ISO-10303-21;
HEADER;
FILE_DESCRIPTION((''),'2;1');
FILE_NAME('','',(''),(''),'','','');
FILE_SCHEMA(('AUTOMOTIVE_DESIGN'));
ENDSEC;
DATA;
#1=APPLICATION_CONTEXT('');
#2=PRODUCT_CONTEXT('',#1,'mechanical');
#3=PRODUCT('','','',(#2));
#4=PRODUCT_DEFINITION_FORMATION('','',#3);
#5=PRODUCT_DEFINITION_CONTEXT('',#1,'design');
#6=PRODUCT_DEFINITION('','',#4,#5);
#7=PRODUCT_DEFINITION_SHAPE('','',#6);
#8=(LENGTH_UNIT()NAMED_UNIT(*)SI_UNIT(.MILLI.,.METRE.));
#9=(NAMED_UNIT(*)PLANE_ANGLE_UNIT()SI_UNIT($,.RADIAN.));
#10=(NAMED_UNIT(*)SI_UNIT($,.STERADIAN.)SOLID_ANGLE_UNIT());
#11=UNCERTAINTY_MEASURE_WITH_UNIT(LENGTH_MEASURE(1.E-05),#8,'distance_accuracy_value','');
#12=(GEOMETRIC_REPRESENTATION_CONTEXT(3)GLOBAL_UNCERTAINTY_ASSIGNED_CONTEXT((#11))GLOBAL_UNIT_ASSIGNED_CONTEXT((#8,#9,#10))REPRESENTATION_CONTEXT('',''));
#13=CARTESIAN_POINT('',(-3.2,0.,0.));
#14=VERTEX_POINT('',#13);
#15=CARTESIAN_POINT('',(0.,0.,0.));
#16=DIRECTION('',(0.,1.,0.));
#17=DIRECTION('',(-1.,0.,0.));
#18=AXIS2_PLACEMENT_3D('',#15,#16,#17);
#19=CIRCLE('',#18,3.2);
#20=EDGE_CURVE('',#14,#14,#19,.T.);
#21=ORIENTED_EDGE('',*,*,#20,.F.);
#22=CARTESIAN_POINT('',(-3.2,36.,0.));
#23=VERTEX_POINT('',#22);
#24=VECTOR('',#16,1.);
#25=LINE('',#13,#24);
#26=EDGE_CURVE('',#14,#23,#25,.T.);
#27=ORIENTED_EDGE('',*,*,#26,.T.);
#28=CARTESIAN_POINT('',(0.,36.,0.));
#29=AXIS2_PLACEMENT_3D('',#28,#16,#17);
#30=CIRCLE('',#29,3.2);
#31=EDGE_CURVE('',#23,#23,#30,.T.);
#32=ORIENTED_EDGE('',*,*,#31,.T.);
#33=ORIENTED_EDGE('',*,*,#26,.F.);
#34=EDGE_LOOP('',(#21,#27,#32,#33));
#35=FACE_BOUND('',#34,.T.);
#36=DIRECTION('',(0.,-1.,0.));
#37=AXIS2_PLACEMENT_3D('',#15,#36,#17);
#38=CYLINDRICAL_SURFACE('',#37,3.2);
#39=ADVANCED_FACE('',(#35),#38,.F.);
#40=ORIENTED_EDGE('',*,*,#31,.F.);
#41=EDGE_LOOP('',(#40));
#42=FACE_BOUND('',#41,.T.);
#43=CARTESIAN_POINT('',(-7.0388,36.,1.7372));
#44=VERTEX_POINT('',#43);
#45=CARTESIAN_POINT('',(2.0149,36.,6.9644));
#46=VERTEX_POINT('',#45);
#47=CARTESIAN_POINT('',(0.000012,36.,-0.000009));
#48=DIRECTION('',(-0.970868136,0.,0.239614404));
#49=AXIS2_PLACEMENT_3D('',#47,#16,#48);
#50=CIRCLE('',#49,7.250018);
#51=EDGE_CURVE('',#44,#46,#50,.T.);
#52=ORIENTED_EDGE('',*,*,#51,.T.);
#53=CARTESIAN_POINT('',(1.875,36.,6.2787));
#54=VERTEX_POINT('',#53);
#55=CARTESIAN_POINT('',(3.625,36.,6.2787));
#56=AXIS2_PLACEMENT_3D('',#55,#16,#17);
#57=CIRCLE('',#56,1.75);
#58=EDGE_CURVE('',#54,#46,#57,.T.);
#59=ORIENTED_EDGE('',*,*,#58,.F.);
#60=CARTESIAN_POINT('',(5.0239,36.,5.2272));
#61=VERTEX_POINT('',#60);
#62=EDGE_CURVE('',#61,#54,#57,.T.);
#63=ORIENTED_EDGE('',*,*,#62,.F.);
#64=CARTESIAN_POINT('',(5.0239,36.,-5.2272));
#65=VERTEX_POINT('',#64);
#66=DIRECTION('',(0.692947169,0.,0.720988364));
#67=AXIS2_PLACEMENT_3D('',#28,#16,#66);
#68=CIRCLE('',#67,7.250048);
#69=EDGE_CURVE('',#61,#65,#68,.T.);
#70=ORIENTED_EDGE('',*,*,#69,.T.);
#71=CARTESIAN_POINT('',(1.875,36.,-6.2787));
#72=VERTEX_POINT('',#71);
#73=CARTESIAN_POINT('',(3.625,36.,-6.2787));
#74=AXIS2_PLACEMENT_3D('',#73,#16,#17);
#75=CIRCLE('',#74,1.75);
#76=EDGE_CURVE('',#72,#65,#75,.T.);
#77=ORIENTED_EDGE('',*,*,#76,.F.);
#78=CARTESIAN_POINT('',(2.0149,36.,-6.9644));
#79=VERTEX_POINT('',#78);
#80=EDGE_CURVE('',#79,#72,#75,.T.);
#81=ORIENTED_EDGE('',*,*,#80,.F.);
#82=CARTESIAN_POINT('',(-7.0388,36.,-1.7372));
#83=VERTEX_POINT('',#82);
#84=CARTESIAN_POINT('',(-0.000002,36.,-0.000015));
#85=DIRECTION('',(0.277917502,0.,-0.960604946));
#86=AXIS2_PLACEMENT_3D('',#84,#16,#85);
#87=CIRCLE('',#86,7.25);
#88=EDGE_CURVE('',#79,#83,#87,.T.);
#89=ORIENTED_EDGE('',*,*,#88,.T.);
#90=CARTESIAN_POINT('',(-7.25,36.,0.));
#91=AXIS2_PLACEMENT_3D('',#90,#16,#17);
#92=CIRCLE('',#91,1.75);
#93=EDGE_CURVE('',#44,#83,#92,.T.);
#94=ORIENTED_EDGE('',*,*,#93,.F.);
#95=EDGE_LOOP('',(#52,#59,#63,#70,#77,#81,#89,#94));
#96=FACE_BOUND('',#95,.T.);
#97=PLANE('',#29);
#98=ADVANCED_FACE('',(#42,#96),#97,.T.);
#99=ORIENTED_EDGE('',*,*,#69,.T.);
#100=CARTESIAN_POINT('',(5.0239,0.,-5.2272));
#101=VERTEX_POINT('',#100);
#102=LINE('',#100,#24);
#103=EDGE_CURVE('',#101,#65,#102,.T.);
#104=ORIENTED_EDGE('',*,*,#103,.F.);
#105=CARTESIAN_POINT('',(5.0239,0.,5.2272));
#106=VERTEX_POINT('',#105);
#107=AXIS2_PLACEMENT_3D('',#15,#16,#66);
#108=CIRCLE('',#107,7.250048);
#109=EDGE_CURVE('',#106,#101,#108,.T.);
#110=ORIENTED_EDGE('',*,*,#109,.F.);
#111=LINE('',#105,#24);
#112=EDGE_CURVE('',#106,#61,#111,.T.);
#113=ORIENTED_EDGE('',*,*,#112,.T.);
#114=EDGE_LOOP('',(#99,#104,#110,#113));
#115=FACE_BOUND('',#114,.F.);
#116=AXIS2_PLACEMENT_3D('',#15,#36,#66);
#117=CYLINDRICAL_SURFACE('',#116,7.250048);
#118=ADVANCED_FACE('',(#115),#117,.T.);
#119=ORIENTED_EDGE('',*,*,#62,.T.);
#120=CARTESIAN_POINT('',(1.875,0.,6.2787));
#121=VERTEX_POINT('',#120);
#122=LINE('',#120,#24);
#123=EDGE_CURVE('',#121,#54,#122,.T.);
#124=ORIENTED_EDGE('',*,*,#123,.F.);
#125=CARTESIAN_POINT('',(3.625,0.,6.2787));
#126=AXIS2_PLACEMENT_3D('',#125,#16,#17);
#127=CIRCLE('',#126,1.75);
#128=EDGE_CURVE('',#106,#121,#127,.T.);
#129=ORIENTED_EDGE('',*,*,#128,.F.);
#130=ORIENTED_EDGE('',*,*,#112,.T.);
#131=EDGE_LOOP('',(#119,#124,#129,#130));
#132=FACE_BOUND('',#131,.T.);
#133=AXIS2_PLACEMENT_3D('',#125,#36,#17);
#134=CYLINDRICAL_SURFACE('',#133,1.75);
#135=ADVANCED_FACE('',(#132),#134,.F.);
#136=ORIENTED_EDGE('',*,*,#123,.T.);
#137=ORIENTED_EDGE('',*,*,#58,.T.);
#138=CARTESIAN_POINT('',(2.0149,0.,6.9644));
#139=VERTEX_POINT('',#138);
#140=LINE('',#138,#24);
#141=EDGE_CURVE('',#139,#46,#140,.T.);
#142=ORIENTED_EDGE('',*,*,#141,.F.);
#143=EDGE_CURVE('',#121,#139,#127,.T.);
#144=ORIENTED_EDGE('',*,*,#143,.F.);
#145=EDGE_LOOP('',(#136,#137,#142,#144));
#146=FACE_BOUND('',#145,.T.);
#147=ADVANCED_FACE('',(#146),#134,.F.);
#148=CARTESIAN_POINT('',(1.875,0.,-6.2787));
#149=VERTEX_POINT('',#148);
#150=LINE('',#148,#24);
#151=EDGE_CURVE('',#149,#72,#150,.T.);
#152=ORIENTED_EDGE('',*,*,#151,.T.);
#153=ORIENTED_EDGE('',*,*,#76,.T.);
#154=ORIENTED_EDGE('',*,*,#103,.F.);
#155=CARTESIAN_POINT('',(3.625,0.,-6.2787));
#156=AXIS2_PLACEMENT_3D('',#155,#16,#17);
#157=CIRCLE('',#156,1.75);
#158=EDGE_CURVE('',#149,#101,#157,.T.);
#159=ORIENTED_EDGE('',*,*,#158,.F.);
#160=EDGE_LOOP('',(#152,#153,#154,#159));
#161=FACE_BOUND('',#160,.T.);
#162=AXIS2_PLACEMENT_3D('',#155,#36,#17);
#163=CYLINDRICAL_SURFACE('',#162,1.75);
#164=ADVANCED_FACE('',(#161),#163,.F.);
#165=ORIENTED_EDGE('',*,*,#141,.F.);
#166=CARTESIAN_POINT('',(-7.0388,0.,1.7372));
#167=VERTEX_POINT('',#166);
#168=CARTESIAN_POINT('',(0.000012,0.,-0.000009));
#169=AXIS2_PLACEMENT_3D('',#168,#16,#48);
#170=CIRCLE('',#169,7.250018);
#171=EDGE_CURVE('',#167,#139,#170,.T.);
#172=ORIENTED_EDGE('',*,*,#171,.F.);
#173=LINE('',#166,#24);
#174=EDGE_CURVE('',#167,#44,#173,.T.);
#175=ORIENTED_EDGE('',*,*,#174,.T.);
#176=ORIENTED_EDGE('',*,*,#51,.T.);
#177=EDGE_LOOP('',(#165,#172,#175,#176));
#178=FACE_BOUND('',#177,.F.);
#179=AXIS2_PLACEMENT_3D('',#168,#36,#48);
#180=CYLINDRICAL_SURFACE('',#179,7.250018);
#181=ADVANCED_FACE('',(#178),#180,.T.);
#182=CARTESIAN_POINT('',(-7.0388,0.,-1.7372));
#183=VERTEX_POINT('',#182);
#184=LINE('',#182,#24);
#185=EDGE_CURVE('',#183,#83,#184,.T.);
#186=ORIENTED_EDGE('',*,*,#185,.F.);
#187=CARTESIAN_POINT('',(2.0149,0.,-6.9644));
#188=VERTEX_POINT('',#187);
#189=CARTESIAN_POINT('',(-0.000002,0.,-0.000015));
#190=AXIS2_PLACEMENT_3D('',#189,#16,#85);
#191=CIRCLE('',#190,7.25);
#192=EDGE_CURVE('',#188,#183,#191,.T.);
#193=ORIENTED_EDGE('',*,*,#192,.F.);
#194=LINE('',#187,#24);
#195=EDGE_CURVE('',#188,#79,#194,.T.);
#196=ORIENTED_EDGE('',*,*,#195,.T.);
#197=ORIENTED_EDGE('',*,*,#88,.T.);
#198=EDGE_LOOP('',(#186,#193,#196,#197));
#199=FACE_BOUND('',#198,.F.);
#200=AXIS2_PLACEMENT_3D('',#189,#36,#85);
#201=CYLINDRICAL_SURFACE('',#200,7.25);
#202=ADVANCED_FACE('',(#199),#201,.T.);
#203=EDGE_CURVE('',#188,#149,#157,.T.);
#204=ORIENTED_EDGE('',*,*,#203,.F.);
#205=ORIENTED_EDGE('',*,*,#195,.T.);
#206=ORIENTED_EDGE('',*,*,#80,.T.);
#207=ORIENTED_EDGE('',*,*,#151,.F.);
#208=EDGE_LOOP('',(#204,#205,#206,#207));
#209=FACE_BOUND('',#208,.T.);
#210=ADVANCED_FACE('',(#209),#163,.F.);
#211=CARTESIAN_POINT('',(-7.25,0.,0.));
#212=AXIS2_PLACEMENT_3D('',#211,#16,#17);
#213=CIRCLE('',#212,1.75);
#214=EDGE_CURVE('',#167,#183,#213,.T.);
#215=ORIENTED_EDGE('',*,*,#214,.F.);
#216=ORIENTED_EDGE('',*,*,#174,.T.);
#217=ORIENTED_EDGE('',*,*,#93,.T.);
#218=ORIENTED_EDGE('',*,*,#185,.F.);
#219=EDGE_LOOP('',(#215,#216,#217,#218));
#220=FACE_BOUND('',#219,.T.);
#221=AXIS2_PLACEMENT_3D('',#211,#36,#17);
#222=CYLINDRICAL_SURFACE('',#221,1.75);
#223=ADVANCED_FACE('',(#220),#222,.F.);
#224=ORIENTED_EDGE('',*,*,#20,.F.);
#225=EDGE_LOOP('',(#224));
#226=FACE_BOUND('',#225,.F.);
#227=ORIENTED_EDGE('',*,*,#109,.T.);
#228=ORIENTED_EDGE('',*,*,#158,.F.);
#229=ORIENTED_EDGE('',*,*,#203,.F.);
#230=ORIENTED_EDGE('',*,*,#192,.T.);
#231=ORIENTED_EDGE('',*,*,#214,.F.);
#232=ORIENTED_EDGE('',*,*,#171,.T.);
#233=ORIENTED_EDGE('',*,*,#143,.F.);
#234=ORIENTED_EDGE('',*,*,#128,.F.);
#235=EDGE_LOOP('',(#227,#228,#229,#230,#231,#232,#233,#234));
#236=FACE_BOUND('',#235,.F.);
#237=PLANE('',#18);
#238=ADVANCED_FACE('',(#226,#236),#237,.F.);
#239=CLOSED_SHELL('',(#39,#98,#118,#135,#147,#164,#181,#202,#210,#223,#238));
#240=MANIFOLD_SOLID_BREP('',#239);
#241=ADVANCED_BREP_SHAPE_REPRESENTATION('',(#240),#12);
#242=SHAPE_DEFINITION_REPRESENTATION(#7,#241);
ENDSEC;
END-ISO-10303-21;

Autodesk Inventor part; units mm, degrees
ref_plane "YZ Plane" through (0, 0, 0) normal (1, 0, 0) x (0, 1, 0)
ref_plane "XZ Plane" through (0, 0, 0) normal (0, 1, 0) x (-1, 0, 0)
ref_plane "XY Plane" through (0, 0, 0) normal (0, 0, 1) x (1, 0, 0)
sketch "Sketch1" plane through (0, 0, 0) normal (0, 1, 0) x (-1, 0, 0)
  circle A0 centre (7.25, 0) radius 1.75
  circle A1 centre (-3.625, 6.2787) radius 1.75
  circle A2 centre (-3.625, -6.2787) radius 1.75
  circle A3 centre (0, 0) radius 3.2
  arc A4 (-2.0149, -6.9644) -> (7.0388, -1.7372) centre (0, 0) ccw
  arc A5 (7.0388, 1.7372) -> (-2.0149, 6.9644) centre (0, 0) ccw
  arc A6 (-5.0239, 5.2272) -> (-5.0239, -5.2272) centre (0, 0) ccw
  dimension "d24" = 3.5
  dimension "d25" = 3.5
  dimension "d26" = 3.5
  dimension "d27" = 6.4
extrude "Extrusion3" add sketch "Sketch1" along normal blind 36 contours A0 A4 A2 A6 A1 A5
properties part number "slip_ring_internal"
